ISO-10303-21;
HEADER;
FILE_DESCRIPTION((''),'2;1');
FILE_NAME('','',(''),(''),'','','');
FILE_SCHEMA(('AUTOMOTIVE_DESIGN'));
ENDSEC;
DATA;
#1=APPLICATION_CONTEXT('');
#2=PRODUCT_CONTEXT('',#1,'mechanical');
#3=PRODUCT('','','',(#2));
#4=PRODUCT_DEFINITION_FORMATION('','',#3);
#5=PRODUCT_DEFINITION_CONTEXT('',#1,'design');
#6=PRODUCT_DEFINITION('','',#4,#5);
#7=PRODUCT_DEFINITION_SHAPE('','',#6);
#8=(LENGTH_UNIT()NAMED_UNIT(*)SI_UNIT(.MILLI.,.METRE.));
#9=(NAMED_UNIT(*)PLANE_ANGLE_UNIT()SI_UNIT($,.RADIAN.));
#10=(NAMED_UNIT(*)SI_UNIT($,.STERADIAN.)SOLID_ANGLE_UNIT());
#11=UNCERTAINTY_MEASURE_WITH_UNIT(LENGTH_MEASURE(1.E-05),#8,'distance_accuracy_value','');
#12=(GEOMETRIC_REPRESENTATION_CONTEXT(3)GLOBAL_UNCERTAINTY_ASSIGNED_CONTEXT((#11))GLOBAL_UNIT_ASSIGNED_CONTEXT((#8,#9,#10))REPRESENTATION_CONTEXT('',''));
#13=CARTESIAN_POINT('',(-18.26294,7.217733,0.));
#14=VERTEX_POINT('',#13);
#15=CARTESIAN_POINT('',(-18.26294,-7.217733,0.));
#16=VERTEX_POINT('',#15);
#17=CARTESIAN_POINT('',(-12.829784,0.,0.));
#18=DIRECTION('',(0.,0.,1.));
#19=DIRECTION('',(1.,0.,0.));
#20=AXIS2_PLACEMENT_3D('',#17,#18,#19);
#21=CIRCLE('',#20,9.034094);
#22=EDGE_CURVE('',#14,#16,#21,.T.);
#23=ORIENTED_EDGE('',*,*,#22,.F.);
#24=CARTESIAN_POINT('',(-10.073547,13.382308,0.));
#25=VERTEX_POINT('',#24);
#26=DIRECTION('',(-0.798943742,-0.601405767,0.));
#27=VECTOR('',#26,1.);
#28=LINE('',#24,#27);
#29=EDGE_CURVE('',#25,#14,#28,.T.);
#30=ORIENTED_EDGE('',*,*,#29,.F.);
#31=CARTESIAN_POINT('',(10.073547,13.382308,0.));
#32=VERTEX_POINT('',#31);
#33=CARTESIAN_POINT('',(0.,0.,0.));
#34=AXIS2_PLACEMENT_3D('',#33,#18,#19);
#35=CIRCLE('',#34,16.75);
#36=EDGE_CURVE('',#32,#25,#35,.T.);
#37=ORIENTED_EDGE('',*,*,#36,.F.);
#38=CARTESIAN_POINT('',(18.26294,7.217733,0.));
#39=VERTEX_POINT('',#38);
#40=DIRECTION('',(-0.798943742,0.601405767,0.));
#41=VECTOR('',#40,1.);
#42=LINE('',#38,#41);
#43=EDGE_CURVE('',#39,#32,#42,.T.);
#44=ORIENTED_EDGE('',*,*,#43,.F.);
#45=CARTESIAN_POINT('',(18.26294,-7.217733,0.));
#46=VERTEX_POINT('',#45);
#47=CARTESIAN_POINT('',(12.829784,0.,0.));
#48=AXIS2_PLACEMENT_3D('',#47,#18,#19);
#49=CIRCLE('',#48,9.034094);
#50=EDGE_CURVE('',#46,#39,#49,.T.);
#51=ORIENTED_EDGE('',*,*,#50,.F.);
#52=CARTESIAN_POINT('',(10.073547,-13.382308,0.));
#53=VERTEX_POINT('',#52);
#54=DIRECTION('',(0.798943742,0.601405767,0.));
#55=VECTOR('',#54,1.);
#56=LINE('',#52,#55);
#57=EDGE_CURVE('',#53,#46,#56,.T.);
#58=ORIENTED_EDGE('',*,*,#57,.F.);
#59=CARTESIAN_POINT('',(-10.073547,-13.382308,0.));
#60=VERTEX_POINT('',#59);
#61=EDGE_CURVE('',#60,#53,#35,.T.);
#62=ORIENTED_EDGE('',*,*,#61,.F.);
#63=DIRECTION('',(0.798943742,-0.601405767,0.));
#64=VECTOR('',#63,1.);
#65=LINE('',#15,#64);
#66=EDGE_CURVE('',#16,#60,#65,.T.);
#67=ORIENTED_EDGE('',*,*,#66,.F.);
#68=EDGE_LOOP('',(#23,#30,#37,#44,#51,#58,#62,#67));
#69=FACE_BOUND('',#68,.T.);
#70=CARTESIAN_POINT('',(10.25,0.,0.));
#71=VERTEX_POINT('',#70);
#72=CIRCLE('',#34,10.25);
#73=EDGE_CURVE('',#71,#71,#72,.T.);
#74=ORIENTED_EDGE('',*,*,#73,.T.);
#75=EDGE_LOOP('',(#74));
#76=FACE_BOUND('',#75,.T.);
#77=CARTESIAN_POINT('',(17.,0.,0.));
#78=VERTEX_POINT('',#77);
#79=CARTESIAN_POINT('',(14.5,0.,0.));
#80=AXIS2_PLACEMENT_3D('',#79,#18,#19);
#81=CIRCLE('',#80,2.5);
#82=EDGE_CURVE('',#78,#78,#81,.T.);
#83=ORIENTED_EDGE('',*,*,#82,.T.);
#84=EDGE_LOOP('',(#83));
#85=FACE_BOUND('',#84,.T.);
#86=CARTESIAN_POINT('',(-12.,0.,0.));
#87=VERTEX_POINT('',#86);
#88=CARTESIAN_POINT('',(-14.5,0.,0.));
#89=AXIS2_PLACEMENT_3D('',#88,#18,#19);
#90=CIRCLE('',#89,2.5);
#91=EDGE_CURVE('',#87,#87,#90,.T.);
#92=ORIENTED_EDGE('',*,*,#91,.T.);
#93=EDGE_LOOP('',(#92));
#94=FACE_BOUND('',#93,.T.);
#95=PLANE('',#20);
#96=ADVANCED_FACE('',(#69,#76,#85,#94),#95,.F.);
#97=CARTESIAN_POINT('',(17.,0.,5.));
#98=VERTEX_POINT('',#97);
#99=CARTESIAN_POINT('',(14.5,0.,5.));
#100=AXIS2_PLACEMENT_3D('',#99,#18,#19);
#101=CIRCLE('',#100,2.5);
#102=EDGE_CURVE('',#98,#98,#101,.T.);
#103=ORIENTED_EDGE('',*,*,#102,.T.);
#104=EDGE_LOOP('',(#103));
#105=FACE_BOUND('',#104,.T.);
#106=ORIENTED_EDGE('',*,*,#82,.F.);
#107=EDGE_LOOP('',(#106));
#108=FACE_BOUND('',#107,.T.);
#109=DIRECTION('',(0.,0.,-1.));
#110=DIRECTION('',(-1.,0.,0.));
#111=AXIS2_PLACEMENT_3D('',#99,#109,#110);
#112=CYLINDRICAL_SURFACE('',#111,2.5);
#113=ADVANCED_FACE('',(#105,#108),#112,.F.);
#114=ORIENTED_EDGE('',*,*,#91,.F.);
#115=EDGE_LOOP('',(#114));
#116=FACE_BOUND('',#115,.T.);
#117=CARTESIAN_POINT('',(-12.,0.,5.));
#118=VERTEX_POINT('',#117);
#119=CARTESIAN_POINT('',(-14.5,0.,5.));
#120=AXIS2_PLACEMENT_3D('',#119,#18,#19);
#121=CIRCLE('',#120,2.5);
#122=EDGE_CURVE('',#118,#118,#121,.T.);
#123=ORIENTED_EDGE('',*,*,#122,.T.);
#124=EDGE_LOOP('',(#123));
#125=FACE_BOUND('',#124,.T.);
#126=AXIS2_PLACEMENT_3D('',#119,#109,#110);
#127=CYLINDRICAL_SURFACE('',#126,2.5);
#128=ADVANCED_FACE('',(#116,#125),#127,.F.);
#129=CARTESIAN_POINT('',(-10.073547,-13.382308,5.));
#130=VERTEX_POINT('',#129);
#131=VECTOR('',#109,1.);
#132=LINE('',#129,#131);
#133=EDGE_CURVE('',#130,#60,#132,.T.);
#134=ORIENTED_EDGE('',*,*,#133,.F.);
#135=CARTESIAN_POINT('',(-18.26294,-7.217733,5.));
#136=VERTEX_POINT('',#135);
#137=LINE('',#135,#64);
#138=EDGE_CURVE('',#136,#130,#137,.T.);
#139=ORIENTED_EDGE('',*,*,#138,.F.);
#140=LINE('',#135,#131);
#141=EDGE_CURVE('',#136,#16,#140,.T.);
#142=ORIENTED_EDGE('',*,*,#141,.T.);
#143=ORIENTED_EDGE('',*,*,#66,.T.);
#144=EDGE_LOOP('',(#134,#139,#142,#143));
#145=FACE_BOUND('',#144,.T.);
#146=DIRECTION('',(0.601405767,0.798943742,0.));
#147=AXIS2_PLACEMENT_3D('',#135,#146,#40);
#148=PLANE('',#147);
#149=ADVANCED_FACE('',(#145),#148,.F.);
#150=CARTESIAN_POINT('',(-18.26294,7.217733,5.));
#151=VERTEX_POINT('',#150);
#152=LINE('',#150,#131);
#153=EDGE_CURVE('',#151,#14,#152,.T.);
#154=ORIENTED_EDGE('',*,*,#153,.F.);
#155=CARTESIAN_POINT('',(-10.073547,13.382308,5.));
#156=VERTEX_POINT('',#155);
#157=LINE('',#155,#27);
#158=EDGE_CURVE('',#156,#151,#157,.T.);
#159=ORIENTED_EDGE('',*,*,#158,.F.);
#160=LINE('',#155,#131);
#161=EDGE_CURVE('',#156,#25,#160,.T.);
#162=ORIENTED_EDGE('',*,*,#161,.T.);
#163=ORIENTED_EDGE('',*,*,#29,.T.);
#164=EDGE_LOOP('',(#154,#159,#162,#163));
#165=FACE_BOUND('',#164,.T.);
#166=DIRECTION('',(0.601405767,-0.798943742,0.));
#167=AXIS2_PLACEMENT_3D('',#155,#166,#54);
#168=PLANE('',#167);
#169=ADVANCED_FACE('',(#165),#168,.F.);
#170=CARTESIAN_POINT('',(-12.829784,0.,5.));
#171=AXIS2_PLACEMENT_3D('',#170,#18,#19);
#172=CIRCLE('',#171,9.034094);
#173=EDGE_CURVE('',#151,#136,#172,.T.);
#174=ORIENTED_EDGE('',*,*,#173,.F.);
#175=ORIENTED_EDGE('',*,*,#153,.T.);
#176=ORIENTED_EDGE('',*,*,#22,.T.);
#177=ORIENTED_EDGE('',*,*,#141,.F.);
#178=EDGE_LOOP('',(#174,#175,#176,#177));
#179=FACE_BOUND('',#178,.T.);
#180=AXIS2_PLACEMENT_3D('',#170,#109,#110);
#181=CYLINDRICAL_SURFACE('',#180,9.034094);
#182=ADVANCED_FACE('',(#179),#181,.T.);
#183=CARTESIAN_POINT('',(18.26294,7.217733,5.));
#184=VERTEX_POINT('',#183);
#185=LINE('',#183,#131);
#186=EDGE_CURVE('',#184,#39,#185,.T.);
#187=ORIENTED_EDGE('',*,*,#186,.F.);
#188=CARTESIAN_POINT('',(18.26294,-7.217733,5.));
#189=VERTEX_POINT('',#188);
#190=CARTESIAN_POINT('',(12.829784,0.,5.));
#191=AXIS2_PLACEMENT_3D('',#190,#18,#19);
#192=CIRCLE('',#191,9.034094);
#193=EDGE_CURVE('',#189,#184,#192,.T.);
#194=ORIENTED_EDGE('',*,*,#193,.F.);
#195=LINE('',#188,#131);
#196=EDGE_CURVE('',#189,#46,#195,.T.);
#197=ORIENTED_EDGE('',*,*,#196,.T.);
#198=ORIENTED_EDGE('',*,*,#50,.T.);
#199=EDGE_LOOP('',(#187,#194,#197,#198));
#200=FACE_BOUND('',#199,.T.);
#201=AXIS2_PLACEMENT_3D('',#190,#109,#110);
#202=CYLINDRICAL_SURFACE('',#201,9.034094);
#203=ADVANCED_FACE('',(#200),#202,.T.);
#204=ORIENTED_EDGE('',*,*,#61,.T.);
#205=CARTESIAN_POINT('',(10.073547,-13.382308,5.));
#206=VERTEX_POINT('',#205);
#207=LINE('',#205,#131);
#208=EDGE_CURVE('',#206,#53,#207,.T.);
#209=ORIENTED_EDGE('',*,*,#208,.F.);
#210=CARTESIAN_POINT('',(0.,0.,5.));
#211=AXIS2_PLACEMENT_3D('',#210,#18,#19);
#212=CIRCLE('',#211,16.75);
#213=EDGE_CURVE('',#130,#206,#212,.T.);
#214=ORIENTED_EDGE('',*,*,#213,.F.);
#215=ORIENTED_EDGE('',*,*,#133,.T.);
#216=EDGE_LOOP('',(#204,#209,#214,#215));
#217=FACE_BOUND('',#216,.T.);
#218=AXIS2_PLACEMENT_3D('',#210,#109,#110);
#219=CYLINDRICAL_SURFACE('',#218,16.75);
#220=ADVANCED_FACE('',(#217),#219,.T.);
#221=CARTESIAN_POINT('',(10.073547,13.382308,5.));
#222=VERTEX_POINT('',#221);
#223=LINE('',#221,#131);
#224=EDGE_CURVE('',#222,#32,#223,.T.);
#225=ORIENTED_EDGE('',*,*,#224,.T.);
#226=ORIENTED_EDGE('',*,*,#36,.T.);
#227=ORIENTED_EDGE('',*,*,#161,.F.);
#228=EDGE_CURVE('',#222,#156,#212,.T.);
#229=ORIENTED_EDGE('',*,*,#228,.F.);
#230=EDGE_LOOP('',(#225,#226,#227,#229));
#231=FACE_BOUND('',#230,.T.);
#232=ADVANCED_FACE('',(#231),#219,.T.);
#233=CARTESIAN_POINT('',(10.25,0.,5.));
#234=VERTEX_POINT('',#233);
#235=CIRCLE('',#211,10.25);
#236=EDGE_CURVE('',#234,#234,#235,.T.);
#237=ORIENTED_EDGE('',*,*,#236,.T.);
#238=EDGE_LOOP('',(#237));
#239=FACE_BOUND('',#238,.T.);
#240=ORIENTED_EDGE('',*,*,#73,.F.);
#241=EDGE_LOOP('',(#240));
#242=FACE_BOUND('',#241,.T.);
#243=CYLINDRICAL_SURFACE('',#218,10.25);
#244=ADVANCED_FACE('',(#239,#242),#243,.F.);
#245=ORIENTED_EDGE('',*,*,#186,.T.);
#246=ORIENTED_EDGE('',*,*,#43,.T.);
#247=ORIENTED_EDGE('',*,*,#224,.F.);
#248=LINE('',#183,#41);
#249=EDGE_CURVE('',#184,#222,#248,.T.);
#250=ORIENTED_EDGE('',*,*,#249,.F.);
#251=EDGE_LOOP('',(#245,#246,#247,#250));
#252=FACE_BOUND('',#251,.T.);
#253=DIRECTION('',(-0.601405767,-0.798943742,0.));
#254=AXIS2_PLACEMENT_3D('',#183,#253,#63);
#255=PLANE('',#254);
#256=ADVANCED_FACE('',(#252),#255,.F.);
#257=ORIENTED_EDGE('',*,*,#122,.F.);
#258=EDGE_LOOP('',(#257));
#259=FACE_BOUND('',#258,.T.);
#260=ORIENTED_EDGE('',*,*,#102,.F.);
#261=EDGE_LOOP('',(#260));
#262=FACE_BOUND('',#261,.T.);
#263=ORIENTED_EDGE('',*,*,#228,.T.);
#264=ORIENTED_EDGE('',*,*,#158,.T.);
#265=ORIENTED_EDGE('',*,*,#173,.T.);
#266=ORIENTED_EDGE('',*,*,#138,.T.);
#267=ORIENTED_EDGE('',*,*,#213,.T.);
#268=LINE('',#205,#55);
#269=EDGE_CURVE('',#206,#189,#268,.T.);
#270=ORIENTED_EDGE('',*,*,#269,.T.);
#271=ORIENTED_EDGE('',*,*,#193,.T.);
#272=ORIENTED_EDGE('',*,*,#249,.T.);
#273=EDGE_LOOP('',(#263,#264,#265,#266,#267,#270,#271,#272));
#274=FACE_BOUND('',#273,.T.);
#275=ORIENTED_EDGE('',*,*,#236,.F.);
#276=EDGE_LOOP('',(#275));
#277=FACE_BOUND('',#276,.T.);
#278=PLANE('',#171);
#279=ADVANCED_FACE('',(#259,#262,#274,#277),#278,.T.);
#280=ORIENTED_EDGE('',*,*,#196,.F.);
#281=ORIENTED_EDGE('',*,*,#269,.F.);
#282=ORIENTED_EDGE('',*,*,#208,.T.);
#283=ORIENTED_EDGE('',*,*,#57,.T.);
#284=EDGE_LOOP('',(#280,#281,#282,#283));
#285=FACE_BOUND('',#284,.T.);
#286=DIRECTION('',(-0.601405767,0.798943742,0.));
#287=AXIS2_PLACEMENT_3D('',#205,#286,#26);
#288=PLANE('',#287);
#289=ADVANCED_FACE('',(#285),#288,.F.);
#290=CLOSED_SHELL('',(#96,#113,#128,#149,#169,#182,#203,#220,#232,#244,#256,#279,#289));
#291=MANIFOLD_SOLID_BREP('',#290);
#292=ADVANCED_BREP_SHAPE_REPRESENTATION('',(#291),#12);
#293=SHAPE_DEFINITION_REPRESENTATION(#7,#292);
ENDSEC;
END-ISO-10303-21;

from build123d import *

# Parameters (mm, degrees)
SKETCH1_R           = 2.5
SKETCH1_R_2         = 10.25
BOSS_EXTRUDE1_DEPTH = 5


with BuildPart() as part:
    # Sketch1 → Boss-Extrude1 (new body)
    with BuildSketch(Plane.XY):
        with BuildLine():
            Line((-18.262940366, -7.217732658), (-10.073546599, -13.382307683))
            ThreePointArc((-10.073546599, -13.382307683), (0, -16.75), (10.073546599, -13.382307683))
            Line((10.073546599, -13.382307683), (18.262940366, -7.217732658))
            ThreePointArc((18.262940366, -7.217732658), (21.863878029, 0), (18.262940366, 7.217732658))
            Line((18.262940366, 7.217732658), (10.073546599, 13.382307683))
            ThreePointArc((10.073546599, 13.382307683), (0, 16.75), (-10.073546599, 13.382307683))
            Line((-10.073546599, 13.382307683), (-18.262940366, 7.217732658))
            ThreePointArc((-18.262940366, 7.217732658), (-21.863878029, 0), (-18.262940366, -7.217732658))
        make_face()
        with Locations((14.5, 0)):
            Circle(SKETCH1_R, mode=Mode.SUBTRACT)
        with Locations((-14.5, 0)):
            Circle(SKETCH1_R, mode=Mode.SUBTRACT)
        Circle(SKETCH1_R_2, mode=Mode.SUBTRACT)
    extrude(amount=BOSS_EXTRUDE1_DEPTH)


solid = part.part
